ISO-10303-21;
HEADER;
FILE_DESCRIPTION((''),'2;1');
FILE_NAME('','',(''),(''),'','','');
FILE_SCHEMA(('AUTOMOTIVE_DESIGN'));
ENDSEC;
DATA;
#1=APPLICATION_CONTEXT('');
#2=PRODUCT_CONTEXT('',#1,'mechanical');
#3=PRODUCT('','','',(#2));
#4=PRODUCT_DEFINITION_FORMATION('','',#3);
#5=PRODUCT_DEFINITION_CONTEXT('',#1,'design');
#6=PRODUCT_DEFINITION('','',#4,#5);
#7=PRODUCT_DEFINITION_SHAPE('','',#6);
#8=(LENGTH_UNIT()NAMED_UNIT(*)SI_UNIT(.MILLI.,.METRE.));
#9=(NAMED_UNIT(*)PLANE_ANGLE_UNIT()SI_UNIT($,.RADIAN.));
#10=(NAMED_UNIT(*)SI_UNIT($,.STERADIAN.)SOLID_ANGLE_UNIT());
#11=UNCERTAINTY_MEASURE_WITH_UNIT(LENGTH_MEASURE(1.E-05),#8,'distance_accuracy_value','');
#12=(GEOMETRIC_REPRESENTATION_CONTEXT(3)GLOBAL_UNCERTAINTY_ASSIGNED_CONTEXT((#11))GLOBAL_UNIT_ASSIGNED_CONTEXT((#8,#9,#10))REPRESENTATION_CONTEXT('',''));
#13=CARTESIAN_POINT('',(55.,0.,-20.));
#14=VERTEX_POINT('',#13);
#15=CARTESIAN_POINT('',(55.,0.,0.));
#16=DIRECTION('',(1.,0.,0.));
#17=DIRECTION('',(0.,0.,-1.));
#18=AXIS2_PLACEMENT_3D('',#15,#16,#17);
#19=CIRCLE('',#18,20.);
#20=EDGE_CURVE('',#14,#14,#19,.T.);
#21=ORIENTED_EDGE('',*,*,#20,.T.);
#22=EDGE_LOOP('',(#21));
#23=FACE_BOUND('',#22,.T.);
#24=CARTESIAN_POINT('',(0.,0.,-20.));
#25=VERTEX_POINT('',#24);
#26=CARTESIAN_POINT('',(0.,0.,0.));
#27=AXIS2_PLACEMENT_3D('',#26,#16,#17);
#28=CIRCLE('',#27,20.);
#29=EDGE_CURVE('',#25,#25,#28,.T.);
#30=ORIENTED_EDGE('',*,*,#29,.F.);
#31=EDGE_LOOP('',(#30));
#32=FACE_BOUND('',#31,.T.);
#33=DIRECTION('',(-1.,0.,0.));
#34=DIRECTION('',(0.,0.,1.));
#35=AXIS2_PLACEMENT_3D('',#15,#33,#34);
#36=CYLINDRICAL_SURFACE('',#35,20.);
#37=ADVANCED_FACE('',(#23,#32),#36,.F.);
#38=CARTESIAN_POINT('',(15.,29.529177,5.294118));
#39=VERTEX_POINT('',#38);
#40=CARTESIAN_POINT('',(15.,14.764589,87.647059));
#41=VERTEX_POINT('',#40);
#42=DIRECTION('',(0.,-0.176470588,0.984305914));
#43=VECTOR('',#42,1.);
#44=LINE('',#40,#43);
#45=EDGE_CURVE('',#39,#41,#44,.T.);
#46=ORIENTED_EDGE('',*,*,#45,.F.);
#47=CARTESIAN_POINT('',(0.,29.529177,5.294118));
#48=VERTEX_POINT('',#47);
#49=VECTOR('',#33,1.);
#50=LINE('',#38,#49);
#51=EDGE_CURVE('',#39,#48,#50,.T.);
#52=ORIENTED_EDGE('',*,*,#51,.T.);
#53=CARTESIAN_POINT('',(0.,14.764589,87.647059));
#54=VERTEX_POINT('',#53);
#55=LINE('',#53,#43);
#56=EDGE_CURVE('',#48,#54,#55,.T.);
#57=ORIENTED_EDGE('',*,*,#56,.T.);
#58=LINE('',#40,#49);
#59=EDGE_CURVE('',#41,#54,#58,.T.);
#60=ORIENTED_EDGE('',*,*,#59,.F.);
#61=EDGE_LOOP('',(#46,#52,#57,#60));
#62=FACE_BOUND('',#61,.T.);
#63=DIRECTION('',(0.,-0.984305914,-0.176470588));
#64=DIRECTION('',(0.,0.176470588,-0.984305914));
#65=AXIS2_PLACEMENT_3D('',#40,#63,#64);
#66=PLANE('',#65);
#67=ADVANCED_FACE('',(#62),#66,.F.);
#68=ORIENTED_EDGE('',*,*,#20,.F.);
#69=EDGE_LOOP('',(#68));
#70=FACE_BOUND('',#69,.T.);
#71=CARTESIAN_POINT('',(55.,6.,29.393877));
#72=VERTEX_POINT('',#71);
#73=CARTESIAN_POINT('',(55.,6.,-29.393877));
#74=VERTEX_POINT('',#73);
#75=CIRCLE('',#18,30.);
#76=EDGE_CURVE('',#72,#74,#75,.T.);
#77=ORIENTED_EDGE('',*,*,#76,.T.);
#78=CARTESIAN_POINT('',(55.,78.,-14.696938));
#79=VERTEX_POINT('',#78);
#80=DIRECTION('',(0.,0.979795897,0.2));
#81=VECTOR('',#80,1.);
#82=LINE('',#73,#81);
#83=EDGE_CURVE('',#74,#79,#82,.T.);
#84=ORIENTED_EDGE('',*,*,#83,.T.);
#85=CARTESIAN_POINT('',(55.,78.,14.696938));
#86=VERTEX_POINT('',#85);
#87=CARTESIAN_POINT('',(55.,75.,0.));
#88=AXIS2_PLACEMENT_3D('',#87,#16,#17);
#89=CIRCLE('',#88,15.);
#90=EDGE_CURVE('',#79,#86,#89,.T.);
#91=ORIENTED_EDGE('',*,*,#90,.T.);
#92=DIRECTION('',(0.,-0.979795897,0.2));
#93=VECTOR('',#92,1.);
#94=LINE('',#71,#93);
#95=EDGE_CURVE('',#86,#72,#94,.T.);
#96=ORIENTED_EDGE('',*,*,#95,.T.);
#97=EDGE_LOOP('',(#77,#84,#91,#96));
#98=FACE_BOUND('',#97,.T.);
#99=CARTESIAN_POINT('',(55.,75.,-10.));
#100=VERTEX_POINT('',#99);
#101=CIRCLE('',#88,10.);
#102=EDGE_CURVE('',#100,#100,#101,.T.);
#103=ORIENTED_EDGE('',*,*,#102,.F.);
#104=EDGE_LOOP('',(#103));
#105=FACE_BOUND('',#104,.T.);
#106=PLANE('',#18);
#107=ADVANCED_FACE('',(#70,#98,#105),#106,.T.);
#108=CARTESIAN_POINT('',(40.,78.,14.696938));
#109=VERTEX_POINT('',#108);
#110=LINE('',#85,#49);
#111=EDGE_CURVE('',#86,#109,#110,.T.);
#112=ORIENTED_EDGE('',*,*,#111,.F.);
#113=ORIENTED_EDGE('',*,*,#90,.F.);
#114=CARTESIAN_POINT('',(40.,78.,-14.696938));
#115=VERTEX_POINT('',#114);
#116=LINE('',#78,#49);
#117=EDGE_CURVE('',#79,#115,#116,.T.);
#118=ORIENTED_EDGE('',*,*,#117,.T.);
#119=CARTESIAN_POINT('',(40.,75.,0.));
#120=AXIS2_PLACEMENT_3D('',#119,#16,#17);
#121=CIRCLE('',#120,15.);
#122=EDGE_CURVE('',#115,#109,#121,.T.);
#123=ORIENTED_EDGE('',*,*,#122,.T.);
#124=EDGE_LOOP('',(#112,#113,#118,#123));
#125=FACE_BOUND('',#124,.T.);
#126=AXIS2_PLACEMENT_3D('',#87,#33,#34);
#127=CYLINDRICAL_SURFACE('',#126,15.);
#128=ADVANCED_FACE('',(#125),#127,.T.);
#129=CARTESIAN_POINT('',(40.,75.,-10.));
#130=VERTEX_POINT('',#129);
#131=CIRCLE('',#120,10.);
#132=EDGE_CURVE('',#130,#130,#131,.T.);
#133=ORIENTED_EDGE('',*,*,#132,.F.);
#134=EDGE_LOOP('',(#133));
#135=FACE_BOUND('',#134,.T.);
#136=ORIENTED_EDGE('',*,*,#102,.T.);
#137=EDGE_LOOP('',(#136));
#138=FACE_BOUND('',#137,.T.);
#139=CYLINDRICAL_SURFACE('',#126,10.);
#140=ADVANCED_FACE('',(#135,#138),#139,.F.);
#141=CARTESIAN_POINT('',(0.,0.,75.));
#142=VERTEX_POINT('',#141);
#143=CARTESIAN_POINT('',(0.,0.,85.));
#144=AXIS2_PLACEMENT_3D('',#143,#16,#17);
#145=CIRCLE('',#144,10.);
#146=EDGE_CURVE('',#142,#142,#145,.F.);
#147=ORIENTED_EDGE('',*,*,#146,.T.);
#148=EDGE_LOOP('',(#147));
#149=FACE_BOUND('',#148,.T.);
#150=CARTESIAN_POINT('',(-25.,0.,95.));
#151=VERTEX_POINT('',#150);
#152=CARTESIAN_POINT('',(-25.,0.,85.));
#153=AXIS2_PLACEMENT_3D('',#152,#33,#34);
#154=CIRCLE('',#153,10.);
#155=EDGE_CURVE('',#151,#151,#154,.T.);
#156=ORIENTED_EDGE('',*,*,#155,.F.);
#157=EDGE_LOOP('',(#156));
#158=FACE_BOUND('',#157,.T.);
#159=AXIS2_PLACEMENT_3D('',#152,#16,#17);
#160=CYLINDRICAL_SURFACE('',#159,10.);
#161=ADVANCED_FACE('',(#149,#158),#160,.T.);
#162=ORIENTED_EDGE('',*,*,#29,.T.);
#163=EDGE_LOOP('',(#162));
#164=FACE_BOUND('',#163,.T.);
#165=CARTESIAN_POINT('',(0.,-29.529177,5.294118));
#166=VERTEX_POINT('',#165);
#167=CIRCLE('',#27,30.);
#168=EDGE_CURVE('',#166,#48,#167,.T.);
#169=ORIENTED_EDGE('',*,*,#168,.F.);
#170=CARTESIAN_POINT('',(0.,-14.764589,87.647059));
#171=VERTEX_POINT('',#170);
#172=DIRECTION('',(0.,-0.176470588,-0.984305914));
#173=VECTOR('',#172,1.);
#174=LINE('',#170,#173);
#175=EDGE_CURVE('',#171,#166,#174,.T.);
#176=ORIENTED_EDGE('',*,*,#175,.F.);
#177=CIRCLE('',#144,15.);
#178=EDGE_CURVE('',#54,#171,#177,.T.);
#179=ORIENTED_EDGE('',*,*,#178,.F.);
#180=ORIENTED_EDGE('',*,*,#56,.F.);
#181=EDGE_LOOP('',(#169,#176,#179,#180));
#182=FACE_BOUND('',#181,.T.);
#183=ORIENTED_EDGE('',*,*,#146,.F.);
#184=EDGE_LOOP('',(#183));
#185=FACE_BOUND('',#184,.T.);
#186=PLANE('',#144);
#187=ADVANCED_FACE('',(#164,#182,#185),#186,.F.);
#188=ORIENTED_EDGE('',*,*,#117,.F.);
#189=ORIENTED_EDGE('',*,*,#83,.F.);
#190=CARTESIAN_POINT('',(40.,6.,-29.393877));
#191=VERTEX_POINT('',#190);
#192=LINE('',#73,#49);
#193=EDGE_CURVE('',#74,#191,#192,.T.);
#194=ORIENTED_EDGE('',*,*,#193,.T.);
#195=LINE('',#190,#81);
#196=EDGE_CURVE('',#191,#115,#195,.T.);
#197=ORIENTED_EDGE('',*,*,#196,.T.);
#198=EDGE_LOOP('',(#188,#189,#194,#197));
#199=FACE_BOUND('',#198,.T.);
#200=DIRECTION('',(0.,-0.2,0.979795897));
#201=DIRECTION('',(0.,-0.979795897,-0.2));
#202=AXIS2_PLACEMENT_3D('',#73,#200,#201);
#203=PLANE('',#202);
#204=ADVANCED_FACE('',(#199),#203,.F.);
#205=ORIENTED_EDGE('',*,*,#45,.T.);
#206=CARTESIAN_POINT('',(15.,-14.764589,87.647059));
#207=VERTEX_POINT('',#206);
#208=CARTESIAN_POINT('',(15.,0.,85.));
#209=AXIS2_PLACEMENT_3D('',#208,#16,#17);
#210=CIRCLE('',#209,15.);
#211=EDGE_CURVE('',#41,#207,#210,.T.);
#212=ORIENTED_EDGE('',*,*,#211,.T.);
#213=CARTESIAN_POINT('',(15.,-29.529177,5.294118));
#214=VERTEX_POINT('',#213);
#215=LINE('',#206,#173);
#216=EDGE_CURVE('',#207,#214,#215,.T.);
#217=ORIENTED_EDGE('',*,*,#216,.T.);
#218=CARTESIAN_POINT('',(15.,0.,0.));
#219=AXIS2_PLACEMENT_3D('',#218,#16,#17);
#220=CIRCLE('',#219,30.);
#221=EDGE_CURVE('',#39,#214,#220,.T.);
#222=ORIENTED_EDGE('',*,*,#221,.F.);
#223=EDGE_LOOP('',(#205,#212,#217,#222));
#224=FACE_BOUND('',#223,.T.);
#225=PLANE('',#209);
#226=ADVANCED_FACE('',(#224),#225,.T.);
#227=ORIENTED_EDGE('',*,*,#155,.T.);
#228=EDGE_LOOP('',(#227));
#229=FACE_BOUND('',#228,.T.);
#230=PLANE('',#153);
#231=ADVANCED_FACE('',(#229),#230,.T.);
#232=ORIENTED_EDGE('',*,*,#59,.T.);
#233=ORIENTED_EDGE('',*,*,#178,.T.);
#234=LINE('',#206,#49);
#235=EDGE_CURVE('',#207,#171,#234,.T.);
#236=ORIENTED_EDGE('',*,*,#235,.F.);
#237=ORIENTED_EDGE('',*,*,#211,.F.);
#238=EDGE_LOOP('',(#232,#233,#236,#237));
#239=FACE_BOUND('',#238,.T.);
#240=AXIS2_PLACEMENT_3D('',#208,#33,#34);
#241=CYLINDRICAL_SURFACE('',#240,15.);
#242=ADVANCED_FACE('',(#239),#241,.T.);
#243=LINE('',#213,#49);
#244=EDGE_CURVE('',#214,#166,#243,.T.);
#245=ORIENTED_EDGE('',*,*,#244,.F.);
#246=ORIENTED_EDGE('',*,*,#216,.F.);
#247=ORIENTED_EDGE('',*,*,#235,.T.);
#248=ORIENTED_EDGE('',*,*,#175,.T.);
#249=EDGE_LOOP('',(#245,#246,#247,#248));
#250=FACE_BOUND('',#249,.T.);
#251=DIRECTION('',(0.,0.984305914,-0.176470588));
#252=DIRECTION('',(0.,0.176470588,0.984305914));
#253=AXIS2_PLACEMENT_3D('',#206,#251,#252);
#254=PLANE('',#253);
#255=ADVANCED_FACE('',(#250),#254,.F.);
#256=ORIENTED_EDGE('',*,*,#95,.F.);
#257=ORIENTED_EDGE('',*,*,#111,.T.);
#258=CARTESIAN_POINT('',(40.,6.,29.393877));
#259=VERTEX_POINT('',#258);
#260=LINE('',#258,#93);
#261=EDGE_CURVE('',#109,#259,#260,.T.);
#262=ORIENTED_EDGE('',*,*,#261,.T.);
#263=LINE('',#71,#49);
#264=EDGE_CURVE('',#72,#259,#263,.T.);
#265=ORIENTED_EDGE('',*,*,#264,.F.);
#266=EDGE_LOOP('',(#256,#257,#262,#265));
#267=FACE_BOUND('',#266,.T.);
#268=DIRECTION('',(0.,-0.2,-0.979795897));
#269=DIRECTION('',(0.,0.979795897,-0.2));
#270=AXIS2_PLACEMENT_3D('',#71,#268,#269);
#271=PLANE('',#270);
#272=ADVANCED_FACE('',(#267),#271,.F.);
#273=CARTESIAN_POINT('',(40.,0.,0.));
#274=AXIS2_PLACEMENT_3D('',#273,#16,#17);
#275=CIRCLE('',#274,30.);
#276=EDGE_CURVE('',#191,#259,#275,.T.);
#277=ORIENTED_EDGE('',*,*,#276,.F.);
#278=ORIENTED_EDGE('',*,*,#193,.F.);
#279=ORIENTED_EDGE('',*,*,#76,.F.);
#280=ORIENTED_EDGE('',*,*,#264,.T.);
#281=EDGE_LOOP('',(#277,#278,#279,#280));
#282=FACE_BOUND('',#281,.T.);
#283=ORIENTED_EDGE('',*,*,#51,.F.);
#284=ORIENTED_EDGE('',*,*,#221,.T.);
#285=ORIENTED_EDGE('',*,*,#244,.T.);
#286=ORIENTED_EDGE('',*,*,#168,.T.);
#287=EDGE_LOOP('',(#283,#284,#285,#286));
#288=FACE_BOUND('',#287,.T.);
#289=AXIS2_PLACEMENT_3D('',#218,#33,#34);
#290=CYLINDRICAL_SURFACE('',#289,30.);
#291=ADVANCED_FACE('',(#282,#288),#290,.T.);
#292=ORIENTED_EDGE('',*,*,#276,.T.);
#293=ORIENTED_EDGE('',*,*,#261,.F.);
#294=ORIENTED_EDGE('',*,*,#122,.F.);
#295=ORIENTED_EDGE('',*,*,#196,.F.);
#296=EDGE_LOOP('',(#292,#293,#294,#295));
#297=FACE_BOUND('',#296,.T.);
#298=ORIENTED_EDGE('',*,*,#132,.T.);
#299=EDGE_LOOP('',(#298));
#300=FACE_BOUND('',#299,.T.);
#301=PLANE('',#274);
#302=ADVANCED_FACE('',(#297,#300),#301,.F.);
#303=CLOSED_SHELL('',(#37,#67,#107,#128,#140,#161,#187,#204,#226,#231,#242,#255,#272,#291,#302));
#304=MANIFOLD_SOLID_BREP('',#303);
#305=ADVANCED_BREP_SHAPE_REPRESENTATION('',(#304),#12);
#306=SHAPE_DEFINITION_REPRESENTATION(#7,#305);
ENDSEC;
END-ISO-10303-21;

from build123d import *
from build123d.topology import SkipClean

# Parameters (mm, degrees)
BOSS_EXTRUDE1_DEPTH     = 15
SKETCH2_R               = 30
BOSS_EXTRUDE2_DEPTH     = 25
SKETCH3_R               = 20
SKETCH3_R_2             = 10
BOSS_EXTRUDE3_DEPTH     = 15
CUT_EXTRUDE1_DEPTH      = 146.344418537
CUT_EXTRUDE1_DEPTH_BACK = 146.344418537
SKETCH4_R               = 20
SKETCH5_R               = 10
BOSS_EXTRUDE4_DEPTH     = 25


with BuildPart() as part:
    # Sketch1 → Boss-Extrude1 (new body)
    with BuildSketch(Plane.YZ):
        with BuildLine():
            Line((-14.764588704, 87.647058824), (-29.529177407, 5.294117647))
            ThreePointArc((-29.529177407, 5.294117647), (0, -30), (29.529177407, 5.294117647))
            Line((29.529177407, 5.294117647), (14.764588704, 87.647058824))
            ThreePointArc((14.764588704, 87.647058824), (0, 100), (-14.764588704, 87.647058824))
        make_face()
    extrude(amount=BOSS_EXTRUDE1_DEPTH)

    # Sketch2 → Boss-Extrude2 (add)
    with BuildSketch(Plane.YZ.offset(15)):
        with Locations(Location((0, 0, 0), (0, 0, 10.164248622))):
            Circle(SKETCH2_R)
    extrude(amount=BOSS_EXTRUDE2_DEPTH)

    # Sketch3 → Boss-Extrude3 (add)
    with SkipClean():  # the faces are left unmerged after this step: merging them gives an invalid solid
        with BuildSketch(Plane.YZ.offset(40)):
            with BuildLine():
                Line((6, 29.393876913), (78, 14.696938457))
                ThreePointArc((78, 14.696938457), (90, 0), (78, -14.696938457))
                Line((78, -14.696938457), (6, -29.393876913))
                ThreePointArc((6, -29.393876913), (-30, 0), (6, 29.393876913))
            make_face()
            with Locations(Location((0, 0, 0), (0, 0, 270))):
                Circle(SKETCH3_R, mode=Mode.SUBTRACT)
            with Locations(Location((75, 0, 0), (0, 0, 270))):
                Circle(SKETCH3_R_2, mode=Mode.SUBTRACT)
        extrude(amount=BOSS_EXTRUDE3_DEPTH)

    # Sketch4 → Cut-Extrude1 (cut, two sides: drawn at the far end of the back side and taken through both)
    with SkipClean():  # the faces are left unmerged after this step: merging them gives an invalid solid
        with BuildSketch(Plane.YZ.offset(55).offset(-CUT_EXTRUDE1_DEPTH_BACK)):
            with Locations(Location((0, 0, 0), (0, 0, 270))):
                Circle(SKETCH4_R)
        extrude(amount=CUT_EXTRUDE1_DEPTH + CUT_EXTRUDE1_DEPTH_BACK, mode=Mode.SUBTRACT)

    # Sketch5 → Boss-Extrude4 (add)
    with SkipClean():  # the faces are left unmerged after this step: merging them gives an invalid solid
        with BuildSketch(Plane(origin=(0, 0, 0), x_dir=(0, -1, 0), z_dir=(-1, 0, 0))):
            with Locations(Location((0, 85, 0), (0, 0, 270))):
                Circle(SKETCH5_R)
        extrude(amount=BOSS_EXTRUDE4_DEPTH)


solid = part.part
